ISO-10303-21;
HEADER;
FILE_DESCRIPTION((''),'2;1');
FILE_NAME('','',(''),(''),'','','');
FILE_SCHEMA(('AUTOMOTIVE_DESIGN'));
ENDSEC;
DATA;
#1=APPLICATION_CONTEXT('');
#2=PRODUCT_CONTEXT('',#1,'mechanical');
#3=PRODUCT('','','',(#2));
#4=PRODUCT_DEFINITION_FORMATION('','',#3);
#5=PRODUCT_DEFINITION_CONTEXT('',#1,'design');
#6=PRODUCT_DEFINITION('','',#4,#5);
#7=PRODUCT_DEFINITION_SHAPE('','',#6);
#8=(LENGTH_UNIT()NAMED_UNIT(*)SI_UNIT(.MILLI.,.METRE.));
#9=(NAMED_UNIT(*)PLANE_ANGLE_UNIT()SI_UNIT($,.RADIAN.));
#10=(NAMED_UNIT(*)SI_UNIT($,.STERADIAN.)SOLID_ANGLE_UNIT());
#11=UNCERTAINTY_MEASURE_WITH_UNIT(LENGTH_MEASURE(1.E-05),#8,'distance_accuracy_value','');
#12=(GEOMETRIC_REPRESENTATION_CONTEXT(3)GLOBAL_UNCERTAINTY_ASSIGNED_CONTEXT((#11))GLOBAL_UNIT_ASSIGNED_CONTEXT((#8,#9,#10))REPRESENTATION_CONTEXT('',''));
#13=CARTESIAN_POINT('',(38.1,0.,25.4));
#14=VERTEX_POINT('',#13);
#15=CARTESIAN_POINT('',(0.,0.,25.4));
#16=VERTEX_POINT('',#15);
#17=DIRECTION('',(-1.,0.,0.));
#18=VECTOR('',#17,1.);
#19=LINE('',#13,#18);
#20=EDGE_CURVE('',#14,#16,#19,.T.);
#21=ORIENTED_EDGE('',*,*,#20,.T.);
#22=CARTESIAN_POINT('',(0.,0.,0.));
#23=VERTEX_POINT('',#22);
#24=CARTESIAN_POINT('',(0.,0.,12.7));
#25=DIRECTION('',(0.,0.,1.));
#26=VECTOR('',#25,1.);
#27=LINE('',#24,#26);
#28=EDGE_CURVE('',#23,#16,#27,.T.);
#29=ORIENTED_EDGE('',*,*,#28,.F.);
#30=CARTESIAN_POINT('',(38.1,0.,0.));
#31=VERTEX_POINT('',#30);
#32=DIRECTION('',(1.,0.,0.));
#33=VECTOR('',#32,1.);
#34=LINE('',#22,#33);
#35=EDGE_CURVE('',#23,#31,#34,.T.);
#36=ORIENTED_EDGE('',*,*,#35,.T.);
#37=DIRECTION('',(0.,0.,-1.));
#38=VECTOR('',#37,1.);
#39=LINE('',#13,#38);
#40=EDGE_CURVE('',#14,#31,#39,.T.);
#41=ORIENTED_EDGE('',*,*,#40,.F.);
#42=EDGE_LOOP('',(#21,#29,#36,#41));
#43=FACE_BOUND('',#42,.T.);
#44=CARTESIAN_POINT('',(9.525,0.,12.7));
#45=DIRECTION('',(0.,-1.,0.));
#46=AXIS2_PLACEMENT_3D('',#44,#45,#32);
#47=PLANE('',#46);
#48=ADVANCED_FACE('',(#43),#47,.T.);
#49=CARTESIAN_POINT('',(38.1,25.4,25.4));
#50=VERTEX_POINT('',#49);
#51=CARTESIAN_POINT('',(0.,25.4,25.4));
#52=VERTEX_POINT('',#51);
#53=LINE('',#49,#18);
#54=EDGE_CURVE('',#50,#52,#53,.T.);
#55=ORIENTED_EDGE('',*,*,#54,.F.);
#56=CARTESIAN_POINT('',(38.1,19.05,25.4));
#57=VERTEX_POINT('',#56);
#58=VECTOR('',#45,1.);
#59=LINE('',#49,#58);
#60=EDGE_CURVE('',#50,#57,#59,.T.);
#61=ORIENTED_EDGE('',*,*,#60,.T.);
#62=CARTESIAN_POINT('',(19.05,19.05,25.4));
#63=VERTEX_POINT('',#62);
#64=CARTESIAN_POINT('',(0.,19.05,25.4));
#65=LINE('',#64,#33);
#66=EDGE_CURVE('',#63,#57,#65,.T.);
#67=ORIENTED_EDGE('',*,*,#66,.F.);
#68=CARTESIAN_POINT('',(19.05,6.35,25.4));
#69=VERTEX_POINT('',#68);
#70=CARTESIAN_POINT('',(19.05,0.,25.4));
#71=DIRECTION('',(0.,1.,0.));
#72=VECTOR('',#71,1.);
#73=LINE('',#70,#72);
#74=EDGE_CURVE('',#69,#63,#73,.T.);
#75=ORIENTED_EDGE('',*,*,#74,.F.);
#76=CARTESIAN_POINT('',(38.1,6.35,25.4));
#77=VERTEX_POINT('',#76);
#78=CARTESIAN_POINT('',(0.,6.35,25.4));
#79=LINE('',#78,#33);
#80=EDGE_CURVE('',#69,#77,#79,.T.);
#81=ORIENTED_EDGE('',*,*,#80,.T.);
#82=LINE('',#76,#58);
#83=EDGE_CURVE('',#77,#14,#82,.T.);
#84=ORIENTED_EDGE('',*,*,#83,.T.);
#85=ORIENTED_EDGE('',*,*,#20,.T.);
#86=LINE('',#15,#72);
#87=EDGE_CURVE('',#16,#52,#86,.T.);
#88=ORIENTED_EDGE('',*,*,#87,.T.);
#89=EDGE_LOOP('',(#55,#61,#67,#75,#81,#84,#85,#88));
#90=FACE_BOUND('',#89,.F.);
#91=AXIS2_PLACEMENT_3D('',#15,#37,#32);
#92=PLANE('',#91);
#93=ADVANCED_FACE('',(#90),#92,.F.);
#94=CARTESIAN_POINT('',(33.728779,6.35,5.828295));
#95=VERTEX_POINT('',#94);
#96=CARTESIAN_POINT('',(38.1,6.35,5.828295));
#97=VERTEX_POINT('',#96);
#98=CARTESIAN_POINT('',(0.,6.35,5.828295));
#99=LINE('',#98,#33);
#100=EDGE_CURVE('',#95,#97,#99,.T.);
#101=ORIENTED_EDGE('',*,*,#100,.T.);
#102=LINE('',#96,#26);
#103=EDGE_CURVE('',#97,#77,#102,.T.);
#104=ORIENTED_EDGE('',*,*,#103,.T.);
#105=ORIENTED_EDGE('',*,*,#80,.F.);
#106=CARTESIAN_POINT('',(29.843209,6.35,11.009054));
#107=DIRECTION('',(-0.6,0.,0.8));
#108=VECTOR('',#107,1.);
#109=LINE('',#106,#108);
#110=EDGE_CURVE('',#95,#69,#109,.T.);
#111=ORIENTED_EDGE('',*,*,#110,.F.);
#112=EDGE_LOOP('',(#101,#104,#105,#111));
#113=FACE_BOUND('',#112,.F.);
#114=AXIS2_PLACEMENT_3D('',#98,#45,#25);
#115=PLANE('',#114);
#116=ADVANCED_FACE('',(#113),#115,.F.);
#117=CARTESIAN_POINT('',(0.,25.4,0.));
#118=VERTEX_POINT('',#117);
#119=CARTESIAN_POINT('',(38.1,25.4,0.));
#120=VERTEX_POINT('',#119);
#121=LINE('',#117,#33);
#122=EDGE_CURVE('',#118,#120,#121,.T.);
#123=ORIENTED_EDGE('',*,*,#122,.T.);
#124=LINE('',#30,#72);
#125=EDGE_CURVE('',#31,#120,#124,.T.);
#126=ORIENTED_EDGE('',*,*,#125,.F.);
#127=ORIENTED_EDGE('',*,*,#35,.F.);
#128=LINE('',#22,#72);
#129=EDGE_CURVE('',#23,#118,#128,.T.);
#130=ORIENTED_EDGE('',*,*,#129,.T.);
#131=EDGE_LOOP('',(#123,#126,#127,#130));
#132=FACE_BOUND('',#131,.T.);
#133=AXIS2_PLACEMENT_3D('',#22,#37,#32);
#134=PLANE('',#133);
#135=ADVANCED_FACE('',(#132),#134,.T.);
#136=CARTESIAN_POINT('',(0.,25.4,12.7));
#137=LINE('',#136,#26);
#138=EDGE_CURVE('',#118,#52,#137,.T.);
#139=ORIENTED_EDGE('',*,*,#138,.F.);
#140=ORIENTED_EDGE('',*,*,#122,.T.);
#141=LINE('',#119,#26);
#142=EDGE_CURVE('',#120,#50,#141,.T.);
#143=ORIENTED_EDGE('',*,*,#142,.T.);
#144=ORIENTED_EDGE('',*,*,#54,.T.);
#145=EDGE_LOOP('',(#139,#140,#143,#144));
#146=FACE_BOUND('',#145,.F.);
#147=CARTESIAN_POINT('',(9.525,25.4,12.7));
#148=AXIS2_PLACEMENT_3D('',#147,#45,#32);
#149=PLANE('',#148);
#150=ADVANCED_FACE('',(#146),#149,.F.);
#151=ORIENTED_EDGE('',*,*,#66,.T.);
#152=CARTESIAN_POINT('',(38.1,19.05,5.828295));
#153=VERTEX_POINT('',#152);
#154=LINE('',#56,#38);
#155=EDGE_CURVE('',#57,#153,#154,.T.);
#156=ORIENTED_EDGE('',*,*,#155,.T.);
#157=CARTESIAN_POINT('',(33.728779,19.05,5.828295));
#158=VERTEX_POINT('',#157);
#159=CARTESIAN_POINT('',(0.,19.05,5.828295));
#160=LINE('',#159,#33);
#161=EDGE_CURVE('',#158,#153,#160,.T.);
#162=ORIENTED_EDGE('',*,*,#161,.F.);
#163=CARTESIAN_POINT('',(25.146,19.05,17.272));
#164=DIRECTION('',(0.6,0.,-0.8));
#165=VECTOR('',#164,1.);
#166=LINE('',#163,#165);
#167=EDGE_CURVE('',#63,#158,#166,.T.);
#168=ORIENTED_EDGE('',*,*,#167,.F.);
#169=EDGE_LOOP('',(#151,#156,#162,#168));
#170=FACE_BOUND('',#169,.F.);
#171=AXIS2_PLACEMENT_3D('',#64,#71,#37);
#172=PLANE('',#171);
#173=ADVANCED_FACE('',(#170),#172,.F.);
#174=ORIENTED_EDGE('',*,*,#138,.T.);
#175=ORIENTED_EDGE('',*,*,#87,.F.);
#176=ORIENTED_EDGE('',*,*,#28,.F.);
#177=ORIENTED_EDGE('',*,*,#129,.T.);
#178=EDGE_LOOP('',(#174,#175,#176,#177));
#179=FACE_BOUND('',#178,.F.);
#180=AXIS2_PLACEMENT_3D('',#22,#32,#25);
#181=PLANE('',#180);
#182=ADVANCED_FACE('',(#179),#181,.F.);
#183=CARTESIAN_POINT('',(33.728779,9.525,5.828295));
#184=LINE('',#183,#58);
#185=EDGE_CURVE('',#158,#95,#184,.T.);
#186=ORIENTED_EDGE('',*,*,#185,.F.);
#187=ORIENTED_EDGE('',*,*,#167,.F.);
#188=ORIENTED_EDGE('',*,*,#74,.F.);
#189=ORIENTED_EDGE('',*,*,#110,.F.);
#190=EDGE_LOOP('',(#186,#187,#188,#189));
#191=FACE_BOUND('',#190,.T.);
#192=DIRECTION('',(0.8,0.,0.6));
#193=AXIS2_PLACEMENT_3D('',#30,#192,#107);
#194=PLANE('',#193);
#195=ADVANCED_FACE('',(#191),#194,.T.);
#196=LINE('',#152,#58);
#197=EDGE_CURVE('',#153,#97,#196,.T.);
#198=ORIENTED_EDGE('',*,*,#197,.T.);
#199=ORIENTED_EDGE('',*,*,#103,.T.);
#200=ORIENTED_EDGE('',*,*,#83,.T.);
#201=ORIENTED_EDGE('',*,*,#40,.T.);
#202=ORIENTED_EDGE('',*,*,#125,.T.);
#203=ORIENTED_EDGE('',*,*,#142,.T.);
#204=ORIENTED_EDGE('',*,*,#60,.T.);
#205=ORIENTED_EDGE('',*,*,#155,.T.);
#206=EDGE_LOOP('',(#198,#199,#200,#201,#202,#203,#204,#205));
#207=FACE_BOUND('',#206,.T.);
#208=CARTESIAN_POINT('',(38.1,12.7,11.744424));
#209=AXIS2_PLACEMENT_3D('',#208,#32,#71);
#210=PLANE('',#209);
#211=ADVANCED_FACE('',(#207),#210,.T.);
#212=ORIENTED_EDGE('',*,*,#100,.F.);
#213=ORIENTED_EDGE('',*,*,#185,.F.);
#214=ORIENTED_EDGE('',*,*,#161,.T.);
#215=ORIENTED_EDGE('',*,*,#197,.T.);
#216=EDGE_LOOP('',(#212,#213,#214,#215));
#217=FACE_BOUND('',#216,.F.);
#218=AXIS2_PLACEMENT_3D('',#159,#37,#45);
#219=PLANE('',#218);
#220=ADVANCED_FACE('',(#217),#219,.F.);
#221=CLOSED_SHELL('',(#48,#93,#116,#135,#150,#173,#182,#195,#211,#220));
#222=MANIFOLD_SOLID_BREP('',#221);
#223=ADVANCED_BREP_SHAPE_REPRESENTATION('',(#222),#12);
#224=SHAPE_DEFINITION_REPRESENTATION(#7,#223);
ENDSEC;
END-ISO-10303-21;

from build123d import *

# Parameters (mm, degrees)
F0_W     = 19.05
F0_H     = 25.4
F1_DEPTH = 25.4
F3_DEPTH = 38.1
F4_DEPTH = 25.4


with BuildPart() as f1:
    # F0 (on Front) → F1 (new body)
    with BuildSketch(Plane.XZ):
        with Locations((9.525, 12.7)):
            Rectangle(F0_W, F0_H)
    extrude(amount=-F1_DEPTH)

    # F2 (on Right) → F3 (join)
    with BuildSketch(Plane.YZ):
        Polygon((0, 25.4), (0, 0), (25.4, 0), (25.4, 25.4), (19.05, 25.4), (19.05, 5.828295), (6.35, 5.828295), (6.35, 25.4), align=None)
    extrude(amount=F3_DEPTH)

    # F0 (on Front) → F4 (join)
    with BuildSketch(Plane.XZ):
        Polygon((19.05, 25.4), (19.05, 0), (38.1, 0), align=None)
    extrude(amount=-F4_DEPTH)


solid = f1.part
